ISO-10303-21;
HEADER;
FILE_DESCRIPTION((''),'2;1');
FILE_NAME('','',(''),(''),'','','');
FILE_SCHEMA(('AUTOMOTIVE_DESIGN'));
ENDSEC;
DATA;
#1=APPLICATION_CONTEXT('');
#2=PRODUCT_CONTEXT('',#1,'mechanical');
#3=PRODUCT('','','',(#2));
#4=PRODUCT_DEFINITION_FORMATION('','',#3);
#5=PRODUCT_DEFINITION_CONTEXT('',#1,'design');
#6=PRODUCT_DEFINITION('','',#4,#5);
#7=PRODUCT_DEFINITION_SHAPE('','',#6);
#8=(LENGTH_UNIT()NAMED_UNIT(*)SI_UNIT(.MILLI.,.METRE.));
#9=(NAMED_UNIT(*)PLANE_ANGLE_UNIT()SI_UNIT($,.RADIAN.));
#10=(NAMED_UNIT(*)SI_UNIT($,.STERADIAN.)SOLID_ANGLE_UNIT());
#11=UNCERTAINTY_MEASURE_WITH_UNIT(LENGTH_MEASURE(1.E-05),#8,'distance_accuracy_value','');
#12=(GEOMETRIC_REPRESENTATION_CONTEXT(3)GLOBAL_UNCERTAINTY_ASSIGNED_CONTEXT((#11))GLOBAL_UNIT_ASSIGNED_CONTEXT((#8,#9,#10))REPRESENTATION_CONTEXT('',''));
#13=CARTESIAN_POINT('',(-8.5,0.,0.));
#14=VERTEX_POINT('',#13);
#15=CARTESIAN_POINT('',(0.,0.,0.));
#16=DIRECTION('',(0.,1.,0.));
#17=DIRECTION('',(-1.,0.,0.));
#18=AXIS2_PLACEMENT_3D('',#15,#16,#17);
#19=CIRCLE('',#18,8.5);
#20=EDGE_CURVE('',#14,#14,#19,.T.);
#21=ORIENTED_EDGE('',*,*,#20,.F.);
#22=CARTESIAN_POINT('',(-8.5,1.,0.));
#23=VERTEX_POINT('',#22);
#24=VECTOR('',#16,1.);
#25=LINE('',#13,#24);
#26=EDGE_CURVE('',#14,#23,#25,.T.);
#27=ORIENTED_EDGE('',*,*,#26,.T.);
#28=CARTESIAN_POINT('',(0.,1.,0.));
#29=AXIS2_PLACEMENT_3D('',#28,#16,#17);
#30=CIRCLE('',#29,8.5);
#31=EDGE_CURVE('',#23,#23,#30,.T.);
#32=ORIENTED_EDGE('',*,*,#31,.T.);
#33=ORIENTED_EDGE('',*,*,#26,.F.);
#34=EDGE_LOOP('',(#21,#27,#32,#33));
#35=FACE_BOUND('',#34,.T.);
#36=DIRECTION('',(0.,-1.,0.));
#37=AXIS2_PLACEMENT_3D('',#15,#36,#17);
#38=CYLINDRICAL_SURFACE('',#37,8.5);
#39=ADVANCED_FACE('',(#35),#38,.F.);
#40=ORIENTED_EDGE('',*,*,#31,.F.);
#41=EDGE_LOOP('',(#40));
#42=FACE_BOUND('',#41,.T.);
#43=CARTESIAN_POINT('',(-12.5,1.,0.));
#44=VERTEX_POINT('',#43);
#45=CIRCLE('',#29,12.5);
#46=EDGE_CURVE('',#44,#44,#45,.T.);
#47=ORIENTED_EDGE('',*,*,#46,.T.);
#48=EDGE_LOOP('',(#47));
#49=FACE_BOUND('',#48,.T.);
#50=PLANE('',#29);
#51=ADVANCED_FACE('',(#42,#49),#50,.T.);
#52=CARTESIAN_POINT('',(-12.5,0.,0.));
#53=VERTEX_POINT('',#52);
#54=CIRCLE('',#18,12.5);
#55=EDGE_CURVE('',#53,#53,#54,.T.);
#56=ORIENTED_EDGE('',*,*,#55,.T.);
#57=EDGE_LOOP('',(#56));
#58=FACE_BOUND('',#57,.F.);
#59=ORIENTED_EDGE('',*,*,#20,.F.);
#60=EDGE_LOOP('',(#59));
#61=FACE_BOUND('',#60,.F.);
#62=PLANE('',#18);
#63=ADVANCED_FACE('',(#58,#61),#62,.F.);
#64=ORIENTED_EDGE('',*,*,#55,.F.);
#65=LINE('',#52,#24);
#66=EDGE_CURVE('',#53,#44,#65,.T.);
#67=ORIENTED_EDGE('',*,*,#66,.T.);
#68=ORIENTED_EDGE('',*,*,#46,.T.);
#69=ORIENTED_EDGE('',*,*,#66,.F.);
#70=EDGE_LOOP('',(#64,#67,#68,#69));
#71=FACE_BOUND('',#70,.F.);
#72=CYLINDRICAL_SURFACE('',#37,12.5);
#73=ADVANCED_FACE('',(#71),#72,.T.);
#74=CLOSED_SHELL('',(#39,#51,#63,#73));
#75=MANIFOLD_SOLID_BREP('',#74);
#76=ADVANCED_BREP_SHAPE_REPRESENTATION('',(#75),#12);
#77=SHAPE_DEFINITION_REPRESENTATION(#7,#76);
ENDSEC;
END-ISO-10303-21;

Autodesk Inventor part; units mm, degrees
ref_plane "YZ Plane" through (0, 0, 0) normal (1, 0, 0) x (0, 1, 0)
ref_plane "XZ Plane" through (0, 0, 0) normal (0, 1, 0) x (-1, 0, 0)
ref_plane "XY Plane" through (0, 0, 0) normal (0, 0, 1) x (1, 0, 0)
sketch "Sketch1" plane through (0, 0, 0) normal (0, 1, 0) x (-1, 0, 0)
  circle A0 centre (0, 0) radius 12.5
  circle A1 centre (0, 0) radius 8.5
  dimension "d0" = 25
  dimension "d1" = 17
extrude "Extrusion1" add sketch "Sketch1" along normal blind 1
properties part number "Arandela_15_2"
